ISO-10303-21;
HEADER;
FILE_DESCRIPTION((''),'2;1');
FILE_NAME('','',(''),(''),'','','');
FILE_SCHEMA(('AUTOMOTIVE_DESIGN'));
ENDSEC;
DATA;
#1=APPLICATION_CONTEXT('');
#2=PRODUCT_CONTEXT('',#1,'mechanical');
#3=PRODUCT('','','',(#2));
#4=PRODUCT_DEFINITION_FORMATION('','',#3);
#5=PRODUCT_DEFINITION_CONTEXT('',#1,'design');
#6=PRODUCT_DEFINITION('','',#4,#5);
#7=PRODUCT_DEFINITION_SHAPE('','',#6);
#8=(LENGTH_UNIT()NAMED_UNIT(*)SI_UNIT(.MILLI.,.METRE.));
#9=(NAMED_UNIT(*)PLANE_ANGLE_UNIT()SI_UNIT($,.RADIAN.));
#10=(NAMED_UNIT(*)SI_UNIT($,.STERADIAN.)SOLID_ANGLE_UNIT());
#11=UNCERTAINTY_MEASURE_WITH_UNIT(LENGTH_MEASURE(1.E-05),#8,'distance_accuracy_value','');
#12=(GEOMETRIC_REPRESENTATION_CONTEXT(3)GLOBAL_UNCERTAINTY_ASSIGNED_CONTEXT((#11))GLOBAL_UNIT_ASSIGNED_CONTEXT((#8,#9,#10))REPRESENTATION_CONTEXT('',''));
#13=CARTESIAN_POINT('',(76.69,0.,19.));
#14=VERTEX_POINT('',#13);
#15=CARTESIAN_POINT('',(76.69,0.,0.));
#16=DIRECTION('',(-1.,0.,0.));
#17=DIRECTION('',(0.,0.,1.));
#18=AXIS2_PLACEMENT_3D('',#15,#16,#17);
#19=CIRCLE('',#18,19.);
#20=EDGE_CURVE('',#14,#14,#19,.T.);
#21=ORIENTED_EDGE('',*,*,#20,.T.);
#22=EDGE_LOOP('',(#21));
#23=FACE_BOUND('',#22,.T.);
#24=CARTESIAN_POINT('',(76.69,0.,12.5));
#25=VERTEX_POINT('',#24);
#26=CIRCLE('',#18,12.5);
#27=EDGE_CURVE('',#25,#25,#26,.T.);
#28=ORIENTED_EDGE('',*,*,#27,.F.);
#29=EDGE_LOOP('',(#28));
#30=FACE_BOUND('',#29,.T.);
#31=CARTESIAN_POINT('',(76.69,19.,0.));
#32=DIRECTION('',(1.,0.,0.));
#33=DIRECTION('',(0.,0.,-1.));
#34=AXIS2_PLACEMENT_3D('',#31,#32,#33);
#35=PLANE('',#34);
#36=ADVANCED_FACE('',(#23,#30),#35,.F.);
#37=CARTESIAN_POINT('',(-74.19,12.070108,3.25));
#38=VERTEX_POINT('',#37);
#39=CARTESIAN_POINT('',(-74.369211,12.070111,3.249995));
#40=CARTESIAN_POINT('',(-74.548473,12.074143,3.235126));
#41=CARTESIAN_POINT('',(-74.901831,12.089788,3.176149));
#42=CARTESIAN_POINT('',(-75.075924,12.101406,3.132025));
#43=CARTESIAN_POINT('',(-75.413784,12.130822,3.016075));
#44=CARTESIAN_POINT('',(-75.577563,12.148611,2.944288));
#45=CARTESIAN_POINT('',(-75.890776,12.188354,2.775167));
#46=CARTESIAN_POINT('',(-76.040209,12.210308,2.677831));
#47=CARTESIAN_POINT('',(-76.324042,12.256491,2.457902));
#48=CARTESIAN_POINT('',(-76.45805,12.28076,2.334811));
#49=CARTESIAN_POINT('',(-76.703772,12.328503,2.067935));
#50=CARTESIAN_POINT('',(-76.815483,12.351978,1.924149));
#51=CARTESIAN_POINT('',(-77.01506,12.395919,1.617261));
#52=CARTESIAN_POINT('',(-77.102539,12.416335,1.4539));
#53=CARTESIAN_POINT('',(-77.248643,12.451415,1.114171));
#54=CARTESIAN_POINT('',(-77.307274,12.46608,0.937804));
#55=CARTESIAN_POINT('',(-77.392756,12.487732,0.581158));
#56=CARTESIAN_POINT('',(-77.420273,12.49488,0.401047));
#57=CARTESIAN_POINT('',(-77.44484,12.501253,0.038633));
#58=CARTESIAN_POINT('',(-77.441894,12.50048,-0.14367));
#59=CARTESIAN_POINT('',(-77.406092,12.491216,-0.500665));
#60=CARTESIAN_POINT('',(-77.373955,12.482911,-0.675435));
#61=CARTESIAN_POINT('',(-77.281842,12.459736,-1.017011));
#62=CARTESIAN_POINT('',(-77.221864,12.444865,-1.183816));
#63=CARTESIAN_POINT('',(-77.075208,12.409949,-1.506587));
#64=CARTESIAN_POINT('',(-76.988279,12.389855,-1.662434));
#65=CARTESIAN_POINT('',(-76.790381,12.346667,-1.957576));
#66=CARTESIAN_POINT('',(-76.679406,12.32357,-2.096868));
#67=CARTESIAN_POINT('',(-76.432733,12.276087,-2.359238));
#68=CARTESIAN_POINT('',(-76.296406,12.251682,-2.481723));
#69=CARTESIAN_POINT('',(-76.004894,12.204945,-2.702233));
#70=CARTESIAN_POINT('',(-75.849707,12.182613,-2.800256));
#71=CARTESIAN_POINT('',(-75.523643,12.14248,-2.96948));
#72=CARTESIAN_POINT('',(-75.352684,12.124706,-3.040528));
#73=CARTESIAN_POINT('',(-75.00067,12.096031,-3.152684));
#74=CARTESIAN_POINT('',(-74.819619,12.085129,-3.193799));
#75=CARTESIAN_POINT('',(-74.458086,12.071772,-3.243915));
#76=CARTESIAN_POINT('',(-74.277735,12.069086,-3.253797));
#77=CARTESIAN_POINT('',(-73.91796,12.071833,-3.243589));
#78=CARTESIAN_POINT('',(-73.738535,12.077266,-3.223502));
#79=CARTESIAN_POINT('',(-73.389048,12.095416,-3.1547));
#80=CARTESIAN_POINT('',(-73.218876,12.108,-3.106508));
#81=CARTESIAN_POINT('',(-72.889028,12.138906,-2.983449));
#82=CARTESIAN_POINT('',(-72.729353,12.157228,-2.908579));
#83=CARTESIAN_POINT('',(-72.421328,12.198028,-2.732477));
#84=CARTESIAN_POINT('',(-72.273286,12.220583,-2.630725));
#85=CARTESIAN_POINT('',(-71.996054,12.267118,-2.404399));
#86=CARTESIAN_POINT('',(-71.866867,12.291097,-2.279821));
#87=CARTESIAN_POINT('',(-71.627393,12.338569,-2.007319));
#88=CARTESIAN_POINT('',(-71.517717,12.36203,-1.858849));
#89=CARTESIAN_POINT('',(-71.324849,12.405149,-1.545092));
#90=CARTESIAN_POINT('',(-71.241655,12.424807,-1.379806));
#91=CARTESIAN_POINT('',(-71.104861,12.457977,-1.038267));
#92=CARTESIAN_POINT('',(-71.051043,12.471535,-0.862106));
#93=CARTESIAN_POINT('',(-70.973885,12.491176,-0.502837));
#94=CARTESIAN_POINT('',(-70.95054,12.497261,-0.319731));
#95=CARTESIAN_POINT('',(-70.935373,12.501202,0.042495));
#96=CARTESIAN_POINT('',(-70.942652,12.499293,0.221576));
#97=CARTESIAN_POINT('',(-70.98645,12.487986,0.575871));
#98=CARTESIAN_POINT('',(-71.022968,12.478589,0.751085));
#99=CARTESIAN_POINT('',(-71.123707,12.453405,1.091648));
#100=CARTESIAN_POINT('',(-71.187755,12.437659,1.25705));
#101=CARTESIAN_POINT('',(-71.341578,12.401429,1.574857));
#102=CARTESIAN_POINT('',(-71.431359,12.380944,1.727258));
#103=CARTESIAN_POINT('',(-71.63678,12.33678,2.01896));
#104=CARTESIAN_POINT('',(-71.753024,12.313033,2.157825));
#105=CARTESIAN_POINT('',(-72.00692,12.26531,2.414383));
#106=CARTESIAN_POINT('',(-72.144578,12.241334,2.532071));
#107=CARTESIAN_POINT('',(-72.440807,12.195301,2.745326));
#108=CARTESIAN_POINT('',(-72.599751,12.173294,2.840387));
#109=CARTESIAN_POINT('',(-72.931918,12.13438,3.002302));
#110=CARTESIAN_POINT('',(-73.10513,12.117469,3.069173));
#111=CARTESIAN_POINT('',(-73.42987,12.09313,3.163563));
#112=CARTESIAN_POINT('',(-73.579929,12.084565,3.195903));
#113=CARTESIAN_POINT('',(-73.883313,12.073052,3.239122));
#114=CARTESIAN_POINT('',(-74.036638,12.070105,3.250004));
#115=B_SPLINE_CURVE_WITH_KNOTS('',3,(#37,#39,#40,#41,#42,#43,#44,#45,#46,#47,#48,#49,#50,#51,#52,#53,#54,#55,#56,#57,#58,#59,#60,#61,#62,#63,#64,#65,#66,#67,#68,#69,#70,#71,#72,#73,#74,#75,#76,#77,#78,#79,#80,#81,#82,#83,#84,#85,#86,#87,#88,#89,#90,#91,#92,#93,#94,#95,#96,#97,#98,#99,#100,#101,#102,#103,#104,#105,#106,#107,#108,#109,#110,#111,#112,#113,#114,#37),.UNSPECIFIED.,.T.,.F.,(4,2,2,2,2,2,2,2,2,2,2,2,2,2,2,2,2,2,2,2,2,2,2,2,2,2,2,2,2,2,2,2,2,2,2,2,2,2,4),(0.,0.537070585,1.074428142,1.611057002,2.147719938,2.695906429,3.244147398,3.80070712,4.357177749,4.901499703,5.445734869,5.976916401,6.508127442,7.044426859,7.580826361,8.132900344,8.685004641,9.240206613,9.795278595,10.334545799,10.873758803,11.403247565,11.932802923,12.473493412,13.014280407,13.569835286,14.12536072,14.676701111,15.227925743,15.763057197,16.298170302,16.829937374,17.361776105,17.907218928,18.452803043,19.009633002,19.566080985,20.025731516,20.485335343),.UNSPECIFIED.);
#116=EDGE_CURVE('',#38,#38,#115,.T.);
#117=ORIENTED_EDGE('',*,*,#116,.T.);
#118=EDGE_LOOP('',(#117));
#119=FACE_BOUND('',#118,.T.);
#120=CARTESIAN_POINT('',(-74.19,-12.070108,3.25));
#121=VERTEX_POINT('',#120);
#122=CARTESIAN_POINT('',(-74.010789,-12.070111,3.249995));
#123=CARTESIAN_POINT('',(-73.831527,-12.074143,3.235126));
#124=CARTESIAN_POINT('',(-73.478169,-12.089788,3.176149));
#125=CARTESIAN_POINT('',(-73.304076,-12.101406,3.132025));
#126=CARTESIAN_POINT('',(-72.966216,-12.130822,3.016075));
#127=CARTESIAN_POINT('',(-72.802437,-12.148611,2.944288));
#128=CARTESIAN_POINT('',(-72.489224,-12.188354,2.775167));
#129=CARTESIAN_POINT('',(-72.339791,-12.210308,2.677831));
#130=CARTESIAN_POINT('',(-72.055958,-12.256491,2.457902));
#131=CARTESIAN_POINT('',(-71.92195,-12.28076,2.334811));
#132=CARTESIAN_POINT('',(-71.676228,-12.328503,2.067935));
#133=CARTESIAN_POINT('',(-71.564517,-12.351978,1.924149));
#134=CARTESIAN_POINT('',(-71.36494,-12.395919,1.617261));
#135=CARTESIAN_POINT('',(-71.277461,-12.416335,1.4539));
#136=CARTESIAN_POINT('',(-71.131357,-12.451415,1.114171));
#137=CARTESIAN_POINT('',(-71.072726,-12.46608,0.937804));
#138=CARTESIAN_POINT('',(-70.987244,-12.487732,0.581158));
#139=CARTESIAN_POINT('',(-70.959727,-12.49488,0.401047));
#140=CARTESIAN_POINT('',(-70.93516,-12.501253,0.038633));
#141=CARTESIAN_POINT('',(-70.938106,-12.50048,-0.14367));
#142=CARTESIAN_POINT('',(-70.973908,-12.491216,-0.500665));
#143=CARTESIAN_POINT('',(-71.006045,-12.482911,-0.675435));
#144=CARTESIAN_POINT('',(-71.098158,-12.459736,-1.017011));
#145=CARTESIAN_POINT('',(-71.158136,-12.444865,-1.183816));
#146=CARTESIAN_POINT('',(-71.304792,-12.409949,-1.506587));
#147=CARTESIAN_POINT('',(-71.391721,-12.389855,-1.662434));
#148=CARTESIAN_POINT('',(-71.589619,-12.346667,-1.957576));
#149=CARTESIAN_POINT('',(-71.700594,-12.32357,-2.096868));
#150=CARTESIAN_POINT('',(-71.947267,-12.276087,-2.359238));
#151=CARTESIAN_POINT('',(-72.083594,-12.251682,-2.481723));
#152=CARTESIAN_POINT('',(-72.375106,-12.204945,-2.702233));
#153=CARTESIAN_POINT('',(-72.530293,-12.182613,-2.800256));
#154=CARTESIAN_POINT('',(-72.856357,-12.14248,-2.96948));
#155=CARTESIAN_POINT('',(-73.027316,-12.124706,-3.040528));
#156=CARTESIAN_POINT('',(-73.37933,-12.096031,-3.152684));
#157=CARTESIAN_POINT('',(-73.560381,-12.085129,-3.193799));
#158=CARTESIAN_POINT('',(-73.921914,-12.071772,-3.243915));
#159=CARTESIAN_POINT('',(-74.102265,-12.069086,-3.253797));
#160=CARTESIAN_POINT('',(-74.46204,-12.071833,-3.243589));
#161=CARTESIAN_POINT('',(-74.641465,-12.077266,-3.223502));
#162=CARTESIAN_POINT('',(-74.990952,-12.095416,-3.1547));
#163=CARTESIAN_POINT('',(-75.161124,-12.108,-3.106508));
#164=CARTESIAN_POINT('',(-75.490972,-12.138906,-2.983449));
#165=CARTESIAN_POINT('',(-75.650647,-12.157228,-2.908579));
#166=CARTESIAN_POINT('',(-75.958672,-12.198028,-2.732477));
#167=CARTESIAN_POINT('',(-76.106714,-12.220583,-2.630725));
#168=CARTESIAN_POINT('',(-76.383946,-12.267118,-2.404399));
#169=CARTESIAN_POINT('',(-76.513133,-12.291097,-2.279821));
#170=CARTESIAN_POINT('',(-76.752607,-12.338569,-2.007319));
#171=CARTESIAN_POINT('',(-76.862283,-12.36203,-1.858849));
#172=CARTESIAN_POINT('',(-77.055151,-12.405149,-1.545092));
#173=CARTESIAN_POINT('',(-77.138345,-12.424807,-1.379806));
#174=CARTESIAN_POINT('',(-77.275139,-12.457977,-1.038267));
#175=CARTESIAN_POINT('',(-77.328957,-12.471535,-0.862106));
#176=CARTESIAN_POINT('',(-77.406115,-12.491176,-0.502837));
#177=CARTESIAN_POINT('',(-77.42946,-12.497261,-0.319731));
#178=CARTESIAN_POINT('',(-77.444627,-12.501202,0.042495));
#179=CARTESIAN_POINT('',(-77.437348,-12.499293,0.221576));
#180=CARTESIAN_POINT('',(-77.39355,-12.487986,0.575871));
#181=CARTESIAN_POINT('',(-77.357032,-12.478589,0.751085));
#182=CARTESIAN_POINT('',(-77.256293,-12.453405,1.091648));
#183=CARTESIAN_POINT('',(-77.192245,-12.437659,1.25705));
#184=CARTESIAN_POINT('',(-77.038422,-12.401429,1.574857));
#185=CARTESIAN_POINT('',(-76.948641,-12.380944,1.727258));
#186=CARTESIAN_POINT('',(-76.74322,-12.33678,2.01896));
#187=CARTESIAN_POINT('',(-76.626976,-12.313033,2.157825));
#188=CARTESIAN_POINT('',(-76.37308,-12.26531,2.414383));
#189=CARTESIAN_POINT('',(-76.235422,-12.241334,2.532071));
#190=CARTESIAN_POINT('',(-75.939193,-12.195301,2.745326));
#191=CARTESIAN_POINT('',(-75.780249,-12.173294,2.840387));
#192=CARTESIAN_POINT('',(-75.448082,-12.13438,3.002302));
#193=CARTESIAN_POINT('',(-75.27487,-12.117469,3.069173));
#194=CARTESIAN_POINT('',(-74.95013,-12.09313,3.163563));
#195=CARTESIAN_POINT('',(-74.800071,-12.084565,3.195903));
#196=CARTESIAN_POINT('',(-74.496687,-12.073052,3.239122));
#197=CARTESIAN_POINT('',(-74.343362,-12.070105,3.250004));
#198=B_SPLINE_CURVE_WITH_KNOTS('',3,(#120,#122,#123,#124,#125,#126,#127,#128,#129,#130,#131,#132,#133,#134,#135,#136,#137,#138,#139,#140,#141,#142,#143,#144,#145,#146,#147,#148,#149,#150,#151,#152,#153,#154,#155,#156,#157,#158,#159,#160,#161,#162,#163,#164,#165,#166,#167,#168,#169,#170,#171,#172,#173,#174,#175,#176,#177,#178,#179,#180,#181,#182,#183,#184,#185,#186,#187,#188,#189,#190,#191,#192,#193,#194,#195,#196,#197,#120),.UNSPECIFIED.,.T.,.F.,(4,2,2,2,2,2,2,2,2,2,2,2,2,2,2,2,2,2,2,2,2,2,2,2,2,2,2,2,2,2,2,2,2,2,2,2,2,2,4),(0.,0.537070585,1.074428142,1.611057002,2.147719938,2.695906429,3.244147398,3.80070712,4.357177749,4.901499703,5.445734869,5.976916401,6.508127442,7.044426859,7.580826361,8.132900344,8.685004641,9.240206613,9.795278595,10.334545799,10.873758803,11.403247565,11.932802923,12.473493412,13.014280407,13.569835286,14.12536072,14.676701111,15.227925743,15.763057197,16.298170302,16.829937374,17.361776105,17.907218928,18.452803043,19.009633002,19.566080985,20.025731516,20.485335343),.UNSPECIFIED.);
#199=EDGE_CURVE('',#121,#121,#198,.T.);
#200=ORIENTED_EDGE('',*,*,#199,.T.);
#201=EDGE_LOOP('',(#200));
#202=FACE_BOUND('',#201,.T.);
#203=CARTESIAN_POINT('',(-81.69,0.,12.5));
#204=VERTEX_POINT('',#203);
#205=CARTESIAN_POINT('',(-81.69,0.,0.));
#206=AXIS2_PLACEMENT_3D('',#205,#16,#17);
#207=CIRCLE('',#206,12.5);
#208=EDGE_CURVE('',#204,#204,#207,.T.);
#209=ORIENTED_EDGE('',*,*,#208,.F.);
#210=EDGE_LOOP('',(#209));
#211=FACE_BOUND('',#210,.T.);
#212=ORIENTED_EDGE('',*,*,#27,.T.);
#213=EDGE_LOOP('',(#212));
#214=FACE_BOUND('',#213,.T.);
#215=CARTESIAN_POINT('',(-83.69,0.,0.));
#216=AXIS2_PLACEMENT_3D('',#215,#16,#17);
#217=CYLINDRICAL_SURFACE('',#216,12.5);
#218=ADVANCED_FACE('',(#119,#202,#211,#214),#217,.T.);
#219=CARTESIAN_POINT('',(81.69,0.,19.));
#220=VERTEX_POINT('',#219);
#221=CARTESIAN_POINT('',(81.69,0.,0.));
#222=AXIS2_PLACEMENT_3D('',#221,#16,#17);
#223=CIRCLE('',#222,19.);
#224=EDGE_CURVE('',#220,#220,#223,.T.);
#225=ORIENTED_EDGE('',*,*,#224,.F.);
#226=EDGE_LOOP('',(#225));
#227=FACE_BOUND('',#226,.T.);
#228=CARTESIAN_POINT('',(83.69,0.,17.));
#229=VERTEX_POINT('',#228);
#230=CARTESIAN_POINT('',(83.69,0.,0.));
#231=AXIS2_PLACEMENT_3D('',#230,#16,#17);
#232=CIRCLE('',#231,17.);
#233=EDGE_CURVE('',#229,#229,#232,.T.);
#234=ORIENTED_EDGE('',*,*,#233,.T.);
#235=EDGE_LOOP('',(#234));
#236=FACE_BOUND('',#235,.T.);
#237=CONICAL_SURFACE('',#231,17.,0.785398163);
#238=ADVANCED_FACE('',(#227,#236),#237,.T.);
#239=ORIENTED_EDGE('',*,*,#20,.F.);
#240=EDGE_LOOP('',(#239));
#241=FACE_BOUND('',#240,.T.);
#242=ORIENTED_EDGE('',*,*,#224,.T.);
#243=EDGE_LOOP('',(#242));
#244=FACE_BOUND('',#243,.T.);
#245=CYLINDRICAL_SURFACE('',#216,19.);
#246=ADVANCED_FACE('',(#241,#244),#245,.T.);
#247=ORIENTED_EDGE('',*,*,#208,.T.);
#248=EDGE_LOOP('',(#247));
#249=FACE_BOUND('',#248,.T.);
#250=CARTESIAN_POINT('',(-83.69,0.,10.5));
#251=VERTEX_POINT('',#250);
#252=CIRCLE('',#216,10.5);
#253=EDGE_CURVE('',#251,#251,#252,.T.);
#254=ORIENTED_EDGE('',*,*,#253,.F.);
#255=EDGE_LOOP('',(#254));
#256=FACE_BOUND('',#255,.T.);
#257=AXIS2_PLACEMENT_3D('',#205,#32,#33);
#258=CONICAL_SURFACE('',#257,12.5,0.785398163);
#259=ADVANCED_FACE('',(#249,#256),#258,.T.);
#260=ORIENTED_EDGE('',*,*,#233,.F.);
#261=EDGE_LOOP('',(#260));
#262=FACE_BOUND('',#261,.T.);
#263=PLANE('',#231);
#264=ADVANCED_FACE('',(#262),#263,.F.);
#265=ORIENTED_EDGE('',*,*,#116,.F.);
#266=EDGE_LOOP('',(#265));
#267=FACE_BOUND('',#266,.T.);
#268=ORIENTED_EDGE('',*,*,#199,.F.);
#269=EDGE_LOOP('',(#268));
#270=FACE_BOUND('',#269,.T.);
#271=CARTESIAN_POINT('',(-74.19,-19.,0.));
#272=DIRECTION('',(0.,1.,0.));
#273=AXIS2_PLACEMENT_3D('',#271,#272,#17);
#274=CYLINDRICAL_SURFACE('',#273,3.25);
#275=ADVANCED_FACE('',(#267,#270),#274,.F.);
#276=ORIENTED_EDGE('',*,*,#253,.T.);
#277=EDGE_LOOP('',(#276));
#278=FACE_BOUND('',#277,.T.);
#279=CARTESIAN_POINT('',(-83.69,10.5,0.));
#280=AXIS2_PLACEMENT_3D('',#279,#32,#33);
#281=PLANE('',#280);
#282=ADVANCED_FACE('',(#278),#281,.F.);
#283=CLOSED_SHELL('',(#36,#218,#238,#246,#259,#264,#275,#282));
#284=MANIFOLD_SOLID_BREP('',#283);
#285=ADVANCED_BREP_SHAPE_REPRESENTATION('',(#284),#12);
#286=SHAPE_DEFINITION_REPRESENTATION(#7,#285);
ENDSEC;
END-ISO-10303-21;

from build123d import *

# Parameters (mm, degrees)
CORTE_EXTRUS_O1_DEPTH      = 88.897759357
CORTE_EXTRUS_O1_DEPTH_BACK = 88.897759357
ESBO_O2_R                  = 3.25


with BuildPart() as part:
    # Esboço1 → Revolução1 (revolve)
    with BuildSketch(Plane.XY, mode=Mode.PRIVATE) as revolu_o1_sk:
        Polygon((83.69, 0), (83.69, 17), (81.69, 19), (76.69, 19), (76.69, 12.5), (-81.69, 12.5), (-83.69, 10.5), (-83.69, 0), align=None)
    revolve(revolu_o1_sk.sketch.rotate(Axis((-83.69, 0, 0), (1, 0, 0)), 90), axis=Axis((-83.69, 0, 0), (1, 0, 0)))

    # Esboço2 → Corte-extrusão1 (cut, two sides: drawn at the far end of the back side and taken through both)
    with BuildSketch(Plane(origin=(0, 0, 0), x_dir=(1, 0, 0), z_dir=(0, 1, 0)).offset(-CORTE_EXTRUS_O1_DEPTH_BACK)):
        with Locations(Location((-74.19, 0, 0), (0, 0, 270))):
            Circle(ESBO_O2_R)
    extrude(amount=CORTE_EXTRUS_O1_DEPTH + CORTE_EXTRUS_O1_DEPTH_BACK, mode=Mode.SUBTRACT)


solid = part.part
